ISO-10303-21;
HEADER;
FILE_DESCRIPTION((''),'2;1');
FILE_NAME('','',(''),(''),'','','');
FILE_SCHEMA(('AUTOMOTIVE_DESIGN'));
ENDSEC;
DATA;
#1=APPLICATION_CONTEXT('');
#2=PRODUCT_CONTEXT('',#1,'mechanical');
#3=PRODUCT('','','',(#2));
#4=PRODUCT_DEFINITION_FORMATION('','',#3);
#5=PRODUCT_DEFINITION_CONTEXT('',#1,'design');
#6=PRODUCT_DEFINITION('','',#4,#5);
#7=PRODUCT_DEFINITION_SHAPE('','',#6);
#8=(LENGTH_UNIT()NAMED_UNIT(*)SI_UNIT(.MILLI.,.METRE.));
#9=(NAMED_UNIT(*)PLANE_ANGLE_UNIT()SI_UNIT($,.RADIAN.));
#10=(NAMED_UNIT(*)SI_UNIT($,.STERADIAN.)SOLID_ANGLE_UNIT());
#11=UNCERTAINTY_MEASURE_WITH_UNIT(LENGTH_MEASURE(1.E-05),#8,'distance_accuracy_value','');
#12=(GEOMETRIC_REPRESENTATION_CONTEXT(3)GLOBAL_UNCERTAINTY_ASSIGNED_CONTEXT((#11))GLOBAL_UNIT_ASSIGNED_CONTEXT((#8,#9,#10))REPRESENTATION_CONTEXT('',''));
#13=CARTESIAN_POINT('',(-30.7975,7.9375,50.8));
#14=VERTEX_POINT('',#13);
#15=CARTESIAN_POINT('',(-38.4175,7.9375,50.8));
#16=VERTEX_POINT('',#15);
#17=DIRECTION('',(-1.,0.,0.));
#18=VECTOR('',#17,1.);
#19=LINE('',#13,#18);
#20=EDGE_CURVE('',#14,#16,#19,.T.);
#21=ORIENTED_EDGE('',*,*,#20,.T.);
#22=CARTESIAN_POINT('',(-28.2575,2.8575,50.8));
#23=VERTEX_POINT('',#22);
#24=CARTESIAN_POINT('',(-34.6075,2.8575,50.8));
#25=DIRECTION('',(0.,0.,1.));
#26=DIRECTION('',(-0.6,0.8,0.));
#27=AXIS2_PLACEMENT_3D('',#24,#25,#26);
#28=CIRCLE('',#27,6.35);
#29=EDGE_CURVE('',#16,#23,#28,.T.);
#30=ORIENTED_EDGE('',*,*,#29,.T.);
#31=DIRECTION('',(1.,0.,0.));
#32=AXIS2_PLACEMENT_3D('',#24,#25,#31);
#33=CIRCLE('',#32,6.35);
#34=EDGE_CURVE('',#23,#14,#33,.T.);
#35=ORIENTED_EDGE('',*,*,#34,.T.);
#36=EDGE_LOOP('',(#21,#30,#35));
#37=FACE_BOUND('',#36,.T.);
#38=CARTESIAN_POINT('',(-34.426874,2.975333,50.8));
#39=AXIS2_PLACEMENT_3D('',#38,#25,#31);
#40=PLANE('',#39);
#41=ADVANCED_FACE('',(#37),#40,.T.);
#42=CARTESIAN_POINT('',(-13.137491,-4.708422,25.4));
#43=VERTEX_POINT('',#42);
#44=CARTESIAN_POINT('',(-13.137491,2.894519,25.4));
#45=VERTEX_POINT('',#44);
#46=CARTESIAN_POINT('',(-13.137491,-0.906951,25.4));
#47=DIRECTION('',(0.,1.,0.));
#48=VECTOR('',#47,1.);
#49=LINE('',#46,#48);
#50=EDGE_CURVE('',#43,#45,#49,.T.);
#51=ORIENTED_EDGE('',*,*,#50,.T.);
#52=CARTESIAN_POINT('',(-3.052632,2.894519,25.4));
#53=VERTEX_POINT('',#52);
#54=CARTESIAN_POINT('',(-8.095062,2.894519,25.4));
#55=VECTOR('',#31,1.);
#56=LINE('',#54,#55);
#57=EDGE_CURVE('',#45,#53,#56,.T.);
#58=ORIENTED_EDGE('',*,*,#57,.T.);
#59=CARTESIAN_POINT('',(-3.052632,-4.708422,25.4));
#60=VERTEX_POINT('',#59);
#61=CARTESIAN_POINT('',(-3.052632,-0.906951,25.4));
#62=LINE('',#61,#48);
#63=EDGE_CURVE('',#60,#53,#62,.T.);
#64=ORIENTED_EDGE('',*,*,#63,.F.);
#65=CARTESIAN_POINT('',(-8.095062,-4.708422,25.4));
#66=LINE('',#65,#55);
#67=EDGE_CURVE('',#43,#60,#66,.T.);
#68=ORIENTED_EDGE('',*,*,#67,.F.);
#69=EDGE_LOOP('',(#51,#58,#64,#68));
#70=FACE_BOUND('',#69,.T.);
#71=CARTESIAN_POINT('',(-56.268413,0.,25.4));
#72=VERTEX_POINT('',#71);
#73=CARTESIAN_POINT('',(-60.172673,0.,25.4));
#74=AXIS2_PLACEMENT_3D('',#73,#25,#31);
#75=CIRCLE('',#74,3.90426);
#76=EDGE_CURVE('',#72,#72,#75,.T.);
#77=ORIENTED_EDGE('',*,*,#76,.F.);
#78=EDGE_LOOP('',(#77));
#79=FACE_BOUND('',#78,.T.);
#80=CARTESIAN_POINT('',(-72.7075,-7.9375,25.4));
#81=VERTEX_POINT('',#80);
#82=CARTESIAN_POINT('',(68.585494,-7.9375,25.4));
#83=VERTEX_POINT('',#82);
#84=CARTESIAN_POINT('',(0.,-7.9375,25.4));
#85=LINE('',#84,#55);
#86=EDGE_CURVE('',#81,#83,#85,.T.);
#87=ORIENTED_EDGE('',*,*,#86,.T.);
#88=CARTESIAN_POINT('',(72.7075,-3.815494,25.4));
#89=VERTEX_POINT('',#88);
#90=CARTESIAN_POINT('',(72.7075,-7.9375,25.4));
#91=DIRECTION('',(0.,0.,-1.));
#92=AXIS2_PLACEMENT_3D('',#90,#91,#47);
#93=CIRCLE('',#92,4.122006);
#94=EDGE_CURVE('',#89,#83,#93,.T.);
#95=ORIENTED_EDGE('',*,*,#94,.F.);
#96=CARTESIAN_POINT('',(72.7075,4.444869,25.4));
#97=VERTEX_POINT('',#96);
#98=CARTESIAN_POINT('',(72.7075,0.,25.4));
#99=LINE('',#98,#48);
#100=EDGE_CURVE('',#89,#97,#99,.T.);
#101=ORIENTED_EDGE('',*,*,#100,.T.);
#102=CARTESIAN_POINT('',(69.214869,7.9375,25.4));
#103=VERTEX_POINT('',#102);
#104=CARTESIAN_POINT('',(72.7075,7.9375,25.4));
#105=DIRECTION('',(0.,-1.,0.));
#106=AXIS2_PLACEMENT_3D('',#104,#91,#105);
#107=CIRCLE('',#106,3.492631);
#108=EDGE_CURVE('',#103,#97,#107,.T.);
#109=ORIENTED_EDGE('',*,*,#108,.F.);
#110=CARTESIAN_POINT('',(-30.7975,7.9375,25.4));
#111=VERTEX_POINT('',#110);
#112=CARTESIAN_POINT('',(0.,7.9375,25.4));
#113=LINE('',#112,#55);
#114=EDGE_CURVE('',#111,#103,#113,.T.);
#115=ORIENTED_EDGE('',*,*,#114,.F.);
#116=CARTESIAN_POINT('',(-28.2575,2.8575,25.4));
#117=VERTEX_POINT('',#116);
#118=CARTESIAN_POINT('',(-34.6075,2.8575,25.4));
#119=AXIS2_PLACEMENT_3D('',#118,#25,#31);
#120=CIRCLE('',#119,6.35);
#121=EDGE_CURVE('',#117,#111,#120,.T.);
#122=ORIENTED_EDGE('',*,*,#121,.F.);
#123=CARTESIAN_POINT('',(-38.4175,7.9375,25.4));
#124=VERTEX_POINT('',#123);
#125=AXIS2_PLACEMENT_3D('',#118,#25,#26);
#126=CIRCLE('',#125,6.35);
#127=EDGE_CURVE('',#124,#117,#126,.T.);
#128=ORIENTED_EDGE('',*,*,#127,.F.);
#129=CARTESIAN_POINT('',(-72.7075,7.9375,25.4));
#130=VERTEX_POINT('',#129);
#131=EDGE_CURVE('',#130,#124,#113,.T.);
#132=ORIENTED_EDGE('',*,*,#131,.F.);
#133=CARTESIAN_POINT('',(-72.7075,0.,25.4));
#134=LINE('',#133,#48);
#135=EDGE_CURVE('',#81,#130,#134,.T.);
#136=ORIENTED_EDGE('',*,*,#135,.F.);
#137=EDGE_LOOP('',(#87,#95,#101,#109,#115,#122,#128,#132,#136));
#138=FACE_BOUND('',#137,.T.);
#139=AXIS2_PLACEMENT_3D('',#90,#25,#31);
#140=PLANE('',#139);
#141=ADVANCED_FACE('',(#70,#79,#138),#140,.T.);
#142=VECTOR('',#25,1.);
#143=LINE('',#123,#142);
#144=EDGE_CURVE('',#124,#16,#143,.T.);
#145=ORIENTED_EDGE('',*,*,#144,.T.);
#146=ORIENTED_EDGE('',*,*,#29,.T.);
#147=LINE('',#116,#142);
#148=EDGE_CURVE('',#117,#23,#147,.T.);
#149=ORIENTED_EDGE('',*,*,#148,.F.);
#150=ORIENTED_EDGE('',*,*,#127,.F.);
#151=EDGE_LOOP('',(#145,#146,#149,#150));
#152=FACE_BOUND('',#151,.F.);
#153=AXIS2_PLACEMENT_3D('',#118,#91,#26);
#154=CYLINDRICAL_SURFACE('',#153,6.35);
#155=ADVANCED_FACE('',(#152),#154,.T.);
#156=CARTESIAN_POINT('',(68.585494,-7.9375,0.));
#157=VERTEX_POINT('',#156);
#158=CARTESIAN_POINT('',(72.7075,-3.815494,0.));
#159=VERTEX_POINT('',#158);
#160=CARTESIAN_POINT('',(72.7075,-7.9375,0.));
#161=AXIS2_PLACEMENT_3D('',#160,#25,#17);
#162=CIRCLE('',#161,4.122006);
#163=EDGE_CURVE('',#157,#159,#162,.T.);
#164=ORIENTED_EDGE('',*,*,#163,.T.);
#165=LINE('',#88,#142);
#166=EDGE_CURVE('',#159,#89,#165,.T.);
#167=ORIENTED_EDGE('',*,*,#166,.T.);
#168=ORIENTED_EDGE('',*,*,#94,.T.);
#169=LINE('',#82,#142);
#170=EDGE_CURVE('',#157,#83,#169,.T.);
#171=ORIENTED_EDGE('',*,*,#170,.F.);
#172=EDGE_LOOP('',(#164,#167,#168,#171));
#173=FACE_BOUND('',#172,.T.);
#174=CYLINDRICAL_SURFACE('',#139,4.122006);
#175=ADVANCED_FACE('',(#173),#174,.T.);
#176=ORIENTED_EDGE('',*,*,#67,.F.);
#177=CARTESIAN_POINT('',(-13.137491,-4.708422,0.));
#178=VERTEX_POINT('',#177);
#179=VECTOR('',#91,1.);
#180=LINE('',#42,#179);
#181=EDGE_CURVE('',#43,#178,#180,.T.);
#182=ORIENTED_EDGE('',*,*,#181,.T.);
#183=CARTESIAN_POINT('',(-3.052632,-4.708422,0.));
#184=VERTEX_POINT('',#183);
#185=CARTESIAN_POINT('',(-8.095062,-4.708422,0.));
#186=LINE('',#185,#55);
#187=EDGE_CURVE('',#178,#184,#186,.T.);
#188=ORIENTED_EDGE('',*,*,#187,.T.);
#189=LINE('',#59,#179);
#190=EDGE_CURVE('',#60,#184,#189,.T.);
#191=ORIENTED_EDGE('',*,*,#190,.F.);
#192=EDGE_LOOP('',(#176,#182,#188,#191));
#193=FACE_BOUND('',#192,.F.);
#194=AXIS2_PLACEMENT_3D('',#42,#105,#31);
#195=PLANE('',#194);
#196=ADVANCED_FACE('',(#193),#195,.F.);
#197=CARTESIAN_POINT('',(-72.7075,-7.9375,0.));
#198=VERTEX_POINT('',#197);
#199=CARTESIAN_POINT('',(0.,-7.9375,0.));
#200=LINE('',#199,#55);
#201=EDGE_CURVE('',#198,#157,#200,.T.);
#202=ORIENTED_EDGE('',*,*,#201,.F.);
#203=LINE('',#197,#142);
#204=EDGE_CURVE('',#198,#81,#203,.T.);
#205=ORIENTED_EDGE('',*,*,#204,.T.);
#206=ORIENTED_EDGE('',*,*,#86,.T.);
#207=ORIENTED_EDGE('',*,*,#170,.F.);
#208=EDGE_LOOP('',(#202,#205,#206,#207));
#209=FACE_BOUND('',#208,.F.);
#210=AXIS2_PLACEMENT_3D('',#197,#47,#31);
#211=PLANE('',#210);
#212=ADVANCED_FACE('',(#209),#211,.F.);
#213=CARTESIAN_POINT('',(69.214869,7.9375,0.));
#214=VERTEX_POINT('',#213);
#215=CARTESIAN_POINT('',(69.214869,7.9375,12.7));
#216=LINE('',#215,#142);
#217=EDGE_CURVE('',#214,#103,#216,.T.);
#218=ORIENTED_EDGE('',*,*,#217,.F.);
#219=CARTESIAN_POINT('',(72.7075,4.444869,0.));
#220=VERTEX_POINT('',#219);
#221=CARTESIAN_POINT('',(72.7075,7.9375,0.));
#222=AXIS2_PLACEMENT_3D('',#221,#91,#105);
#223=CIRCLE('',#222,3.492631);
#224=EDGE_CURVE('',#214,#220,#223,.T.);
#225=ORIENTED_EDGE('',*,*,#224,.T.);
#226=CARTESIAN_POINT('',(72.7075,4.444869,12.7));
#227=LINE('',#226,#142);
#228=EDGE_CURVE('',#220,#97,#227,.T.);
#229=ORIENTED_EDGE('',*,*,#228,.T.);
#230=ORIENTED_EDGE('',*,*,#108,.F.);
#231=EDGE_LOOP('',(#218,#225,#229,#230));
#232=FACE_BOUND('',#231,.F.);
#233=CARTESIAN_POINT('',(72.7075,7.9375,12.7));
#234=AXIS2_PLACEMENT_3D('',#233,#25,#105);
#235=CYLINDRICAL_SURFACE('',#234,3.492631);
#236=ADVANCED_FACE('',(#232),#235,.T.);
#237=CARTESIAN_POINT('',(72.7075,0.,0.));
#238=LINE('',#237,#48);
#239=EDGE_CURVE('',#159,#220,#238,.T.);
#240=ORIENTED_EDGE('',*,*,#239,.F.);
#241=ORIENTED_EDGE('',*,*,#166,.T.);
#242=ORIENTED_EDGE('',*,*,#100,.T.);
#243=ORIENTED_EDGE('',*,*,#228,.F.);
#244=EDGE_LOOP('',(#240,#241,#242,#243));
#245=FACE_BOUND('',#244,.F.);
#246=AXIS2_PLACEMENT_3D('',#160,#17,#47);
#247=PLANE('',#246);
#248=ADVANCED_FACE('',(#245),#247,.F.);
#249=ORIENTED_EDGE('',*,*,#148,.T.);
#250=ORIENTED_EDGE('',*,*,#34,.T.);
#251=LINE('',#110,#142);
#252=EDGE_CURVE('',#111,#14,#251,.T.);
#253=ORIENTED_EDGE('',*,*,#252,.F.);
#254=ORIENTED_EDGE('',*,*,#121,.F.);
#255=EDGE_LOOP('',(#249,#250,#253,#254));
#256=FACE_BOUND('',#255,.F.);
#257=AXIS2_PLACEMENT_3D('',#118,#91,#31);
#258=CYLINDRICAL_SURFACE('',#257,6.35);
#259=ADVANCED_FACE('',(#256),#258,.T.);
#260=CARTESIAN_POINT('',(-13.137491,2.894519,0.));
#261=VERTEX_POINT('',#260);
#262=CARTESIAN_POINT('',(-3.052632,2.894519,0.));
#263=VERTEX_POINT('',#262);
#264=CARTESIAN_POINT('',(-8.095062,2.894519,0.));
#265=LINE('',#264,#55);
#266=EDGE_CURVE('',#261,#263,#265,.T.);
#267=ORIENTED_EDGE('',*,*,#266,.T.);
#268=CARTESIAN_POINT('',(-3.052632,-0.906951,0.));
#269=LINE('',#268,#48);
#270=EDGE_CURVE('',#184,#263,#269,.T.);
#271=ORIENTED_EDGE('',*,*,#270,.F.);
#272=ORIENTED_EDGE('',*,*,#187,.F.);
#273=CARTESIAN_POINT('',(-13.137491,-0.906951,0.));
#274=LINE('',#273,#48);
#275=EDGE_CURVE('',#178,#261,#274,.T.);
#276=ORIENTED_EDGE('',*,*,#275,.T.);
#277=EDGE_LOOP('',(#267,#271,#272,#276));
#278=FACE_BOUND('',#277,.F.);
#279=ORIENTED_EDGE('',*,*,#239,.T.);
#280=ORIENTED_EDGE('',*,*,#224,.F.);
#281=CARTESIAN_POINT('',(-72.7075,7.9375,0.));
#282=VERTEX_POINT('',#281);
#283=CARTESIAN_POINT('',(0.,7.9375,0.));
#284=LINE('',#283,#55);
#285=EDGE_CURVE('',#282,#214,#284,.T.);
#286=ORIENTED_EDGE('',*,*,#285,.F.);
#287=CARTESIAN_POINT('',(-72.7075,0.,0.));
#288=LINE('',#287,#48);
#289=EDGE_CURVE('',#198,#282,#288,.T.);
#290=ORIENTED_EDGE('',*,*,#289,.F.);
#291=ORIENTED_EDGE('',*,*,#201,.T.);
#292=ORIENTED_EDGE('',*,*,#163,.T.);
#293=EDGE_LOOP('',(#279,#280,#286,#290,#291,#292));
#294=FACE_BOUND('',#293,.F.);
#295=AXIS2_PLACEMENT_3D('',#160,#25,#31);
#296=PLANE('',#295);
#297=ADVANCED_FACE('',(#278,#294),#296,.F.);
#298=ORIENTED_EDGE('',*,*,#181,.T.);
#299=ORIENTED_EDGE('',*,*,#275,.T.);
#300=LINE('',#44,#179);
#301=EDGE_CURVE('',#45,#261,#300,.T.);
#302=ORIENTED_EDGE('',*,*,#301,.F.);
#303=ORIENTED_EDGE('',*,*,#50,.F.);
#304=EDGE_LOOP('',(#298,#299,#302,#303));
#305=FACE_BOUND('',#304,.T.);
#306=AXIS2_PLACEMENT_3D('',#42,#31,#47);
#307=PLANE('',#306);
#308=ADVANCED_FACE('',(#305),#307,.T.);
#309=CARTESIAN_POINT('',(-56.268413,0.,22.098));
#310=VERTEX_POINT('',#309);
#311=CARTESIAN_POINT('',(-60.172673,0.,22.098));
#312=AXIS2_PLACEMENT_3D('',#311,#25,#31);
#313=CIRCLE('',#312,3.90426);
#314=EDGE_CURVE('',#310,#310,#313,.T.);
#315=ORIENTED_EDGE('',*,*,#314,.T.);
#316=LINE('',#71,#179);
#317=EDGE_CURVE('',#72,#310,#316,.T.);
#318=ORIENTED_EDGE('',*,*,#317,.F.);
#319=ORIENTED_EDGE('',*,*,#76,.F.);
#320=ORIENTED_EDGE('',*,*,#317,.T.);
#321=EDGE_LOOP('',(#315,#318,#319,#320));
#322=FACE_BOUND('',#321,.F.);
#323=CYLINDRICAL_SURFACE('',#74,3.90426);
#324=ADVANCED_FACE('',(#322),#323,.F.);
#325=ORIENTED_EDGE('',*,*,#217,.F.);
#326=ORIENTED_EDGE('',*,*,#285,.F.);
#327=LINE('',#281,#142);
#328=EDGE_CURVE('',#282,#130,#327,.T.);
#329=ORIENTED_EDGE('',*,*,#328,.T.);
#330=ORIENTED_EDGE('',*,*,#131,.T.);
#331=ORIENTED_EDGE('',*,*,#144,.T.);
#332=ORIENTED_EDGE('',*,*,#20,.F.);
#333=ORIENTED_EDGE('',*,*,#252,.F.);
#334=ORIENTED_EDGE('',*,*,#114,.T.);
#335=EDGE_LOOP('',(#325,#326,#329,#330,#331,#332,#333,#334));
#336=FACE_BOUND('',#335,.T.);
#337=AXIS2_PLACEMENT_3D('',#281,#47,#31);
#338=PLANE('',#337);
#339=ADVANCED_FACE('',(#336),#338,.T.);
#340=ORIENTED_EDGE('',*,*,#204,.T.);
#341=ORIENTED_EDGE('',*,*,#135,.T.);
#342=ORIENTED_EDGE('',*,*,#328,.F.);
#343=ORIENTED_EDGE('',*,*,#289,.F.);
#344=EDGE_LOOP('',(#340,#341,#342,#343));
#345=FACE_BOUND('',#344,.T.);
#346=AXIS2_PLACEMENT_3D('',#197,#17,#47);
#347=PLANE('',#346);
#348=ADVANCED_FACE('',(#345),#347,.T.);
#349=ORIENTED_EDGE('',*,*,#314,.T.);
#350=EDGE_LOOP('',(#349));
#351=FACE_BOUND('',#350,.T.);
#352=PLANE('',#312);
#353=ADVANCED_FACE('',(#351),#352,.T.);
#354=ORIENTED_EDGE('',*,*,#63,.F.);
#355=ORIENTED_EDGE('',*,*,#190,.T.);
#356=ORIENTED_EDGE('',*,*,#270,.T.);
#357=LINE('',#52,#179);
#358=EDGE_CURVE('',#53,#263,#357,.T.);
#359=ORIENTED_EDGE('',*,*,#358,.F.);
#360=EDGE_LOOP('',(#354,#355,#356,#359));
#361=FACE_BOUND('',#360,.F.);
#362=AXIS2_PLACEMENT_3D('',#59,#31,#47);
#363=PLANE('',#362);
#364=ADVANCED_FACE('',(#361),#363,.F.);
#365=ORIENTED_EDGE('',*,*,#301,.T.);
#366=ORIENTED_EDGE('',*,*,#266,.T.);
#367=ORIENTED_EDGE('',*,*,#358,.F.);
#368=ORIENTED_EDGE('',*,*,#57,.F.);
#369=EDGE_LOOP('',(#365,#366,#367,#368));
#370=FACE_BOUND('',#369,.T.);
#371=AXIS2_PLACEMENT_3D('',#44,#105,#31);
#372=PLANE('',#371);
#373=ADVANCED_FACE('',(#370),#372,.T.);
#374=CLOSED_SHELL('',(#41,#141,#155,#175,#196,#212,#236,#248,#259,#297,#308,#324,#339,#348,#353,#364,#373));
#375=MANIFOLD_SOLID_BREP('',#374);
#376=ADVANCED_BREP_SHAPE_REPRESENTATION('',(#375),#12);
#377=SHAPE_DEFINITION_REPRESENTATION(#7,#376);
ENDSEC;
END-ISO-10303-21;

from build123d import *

# Parameters (mm, degrees)
F0_W      = 145.415
F0_H      = 15.875
F1_DEPTH  = 25.4
F3_DEPTH  = 25.4
F2_R      = 3.9042600658
F4_DEPTH  = 3.302
F5_W      = 10.0848590955
F5_H      = 7.6029407792
F6_DEPTH  = 25.4
F7_W      = 3.4926307648
F7_H      = 25.4
F9_R      = 4.1220063289
F10_DEPTH = 25.4


with BuildPart() as f1:
    # F0 (on Top) → F1 (new body)
    with BuildSketch(Plane.XY):
        Rectangle(F0_W, F0_H)
    extrude(amount=F1_DEPTH)

    # F2 (on face) → F3 (join)
    with BuildSketch(Plane.XY.offset(25.4)):
        with BuildLine():
            ThreePointArc((-38.4175, 7.9375), (-37.4473063314, -2.8221126628), (-28.2575, 2.8575))
            ThreePointArc((-28.2575, 2.8575), (-28.9278873372, 5.6973063314), (-30.7975, 7.9375))
            Line((-30.7975, 7.9375), (-38.4175, 7.9375))
        make_face()
    extrude(amount=F3_DEPTH)

    # F2 (on face) → F4 (cut)
    with BuildSketch(Plane.XY.offset(25.4)):
        with Locations((-60.1726733148, 0)):
            Circle(F2_R)
    extrude(amount=-F4_DEPTH, mode=Mode.SUBTRACT)

    # F5 (on face) → F6 (cut, through all)
    with BuildSketch(Plane.XY.offset(25.4)):
        with Locations((-8.0950618722, -0.9069514927)):
            Rectangle(F5_W, F5_H)
    extrude(amount=-F6_DEPTH, mode=Mode.SUBTRACT)

    # F7 (on face) → F8 (revolve)
    with BuildSketch(Plane.YZ.offset(72.7075)):
        with Locations((6.1911846176, 12.7)):
            Rectangle(F7_W, F7_H)
    revolve(axis=Axis((72.7075, 7.9375, 12.7), (0, 0, -1)))

    # F9 (on face) → F10 (join, through all)
    with BuildSketch(Plane.XY.offset(25.4)):
        with Locations((72.7075, -7.9375)):
            Circle(F9_R)
    extrude(amount=-F10_DEPTH)


solid = f1.part
